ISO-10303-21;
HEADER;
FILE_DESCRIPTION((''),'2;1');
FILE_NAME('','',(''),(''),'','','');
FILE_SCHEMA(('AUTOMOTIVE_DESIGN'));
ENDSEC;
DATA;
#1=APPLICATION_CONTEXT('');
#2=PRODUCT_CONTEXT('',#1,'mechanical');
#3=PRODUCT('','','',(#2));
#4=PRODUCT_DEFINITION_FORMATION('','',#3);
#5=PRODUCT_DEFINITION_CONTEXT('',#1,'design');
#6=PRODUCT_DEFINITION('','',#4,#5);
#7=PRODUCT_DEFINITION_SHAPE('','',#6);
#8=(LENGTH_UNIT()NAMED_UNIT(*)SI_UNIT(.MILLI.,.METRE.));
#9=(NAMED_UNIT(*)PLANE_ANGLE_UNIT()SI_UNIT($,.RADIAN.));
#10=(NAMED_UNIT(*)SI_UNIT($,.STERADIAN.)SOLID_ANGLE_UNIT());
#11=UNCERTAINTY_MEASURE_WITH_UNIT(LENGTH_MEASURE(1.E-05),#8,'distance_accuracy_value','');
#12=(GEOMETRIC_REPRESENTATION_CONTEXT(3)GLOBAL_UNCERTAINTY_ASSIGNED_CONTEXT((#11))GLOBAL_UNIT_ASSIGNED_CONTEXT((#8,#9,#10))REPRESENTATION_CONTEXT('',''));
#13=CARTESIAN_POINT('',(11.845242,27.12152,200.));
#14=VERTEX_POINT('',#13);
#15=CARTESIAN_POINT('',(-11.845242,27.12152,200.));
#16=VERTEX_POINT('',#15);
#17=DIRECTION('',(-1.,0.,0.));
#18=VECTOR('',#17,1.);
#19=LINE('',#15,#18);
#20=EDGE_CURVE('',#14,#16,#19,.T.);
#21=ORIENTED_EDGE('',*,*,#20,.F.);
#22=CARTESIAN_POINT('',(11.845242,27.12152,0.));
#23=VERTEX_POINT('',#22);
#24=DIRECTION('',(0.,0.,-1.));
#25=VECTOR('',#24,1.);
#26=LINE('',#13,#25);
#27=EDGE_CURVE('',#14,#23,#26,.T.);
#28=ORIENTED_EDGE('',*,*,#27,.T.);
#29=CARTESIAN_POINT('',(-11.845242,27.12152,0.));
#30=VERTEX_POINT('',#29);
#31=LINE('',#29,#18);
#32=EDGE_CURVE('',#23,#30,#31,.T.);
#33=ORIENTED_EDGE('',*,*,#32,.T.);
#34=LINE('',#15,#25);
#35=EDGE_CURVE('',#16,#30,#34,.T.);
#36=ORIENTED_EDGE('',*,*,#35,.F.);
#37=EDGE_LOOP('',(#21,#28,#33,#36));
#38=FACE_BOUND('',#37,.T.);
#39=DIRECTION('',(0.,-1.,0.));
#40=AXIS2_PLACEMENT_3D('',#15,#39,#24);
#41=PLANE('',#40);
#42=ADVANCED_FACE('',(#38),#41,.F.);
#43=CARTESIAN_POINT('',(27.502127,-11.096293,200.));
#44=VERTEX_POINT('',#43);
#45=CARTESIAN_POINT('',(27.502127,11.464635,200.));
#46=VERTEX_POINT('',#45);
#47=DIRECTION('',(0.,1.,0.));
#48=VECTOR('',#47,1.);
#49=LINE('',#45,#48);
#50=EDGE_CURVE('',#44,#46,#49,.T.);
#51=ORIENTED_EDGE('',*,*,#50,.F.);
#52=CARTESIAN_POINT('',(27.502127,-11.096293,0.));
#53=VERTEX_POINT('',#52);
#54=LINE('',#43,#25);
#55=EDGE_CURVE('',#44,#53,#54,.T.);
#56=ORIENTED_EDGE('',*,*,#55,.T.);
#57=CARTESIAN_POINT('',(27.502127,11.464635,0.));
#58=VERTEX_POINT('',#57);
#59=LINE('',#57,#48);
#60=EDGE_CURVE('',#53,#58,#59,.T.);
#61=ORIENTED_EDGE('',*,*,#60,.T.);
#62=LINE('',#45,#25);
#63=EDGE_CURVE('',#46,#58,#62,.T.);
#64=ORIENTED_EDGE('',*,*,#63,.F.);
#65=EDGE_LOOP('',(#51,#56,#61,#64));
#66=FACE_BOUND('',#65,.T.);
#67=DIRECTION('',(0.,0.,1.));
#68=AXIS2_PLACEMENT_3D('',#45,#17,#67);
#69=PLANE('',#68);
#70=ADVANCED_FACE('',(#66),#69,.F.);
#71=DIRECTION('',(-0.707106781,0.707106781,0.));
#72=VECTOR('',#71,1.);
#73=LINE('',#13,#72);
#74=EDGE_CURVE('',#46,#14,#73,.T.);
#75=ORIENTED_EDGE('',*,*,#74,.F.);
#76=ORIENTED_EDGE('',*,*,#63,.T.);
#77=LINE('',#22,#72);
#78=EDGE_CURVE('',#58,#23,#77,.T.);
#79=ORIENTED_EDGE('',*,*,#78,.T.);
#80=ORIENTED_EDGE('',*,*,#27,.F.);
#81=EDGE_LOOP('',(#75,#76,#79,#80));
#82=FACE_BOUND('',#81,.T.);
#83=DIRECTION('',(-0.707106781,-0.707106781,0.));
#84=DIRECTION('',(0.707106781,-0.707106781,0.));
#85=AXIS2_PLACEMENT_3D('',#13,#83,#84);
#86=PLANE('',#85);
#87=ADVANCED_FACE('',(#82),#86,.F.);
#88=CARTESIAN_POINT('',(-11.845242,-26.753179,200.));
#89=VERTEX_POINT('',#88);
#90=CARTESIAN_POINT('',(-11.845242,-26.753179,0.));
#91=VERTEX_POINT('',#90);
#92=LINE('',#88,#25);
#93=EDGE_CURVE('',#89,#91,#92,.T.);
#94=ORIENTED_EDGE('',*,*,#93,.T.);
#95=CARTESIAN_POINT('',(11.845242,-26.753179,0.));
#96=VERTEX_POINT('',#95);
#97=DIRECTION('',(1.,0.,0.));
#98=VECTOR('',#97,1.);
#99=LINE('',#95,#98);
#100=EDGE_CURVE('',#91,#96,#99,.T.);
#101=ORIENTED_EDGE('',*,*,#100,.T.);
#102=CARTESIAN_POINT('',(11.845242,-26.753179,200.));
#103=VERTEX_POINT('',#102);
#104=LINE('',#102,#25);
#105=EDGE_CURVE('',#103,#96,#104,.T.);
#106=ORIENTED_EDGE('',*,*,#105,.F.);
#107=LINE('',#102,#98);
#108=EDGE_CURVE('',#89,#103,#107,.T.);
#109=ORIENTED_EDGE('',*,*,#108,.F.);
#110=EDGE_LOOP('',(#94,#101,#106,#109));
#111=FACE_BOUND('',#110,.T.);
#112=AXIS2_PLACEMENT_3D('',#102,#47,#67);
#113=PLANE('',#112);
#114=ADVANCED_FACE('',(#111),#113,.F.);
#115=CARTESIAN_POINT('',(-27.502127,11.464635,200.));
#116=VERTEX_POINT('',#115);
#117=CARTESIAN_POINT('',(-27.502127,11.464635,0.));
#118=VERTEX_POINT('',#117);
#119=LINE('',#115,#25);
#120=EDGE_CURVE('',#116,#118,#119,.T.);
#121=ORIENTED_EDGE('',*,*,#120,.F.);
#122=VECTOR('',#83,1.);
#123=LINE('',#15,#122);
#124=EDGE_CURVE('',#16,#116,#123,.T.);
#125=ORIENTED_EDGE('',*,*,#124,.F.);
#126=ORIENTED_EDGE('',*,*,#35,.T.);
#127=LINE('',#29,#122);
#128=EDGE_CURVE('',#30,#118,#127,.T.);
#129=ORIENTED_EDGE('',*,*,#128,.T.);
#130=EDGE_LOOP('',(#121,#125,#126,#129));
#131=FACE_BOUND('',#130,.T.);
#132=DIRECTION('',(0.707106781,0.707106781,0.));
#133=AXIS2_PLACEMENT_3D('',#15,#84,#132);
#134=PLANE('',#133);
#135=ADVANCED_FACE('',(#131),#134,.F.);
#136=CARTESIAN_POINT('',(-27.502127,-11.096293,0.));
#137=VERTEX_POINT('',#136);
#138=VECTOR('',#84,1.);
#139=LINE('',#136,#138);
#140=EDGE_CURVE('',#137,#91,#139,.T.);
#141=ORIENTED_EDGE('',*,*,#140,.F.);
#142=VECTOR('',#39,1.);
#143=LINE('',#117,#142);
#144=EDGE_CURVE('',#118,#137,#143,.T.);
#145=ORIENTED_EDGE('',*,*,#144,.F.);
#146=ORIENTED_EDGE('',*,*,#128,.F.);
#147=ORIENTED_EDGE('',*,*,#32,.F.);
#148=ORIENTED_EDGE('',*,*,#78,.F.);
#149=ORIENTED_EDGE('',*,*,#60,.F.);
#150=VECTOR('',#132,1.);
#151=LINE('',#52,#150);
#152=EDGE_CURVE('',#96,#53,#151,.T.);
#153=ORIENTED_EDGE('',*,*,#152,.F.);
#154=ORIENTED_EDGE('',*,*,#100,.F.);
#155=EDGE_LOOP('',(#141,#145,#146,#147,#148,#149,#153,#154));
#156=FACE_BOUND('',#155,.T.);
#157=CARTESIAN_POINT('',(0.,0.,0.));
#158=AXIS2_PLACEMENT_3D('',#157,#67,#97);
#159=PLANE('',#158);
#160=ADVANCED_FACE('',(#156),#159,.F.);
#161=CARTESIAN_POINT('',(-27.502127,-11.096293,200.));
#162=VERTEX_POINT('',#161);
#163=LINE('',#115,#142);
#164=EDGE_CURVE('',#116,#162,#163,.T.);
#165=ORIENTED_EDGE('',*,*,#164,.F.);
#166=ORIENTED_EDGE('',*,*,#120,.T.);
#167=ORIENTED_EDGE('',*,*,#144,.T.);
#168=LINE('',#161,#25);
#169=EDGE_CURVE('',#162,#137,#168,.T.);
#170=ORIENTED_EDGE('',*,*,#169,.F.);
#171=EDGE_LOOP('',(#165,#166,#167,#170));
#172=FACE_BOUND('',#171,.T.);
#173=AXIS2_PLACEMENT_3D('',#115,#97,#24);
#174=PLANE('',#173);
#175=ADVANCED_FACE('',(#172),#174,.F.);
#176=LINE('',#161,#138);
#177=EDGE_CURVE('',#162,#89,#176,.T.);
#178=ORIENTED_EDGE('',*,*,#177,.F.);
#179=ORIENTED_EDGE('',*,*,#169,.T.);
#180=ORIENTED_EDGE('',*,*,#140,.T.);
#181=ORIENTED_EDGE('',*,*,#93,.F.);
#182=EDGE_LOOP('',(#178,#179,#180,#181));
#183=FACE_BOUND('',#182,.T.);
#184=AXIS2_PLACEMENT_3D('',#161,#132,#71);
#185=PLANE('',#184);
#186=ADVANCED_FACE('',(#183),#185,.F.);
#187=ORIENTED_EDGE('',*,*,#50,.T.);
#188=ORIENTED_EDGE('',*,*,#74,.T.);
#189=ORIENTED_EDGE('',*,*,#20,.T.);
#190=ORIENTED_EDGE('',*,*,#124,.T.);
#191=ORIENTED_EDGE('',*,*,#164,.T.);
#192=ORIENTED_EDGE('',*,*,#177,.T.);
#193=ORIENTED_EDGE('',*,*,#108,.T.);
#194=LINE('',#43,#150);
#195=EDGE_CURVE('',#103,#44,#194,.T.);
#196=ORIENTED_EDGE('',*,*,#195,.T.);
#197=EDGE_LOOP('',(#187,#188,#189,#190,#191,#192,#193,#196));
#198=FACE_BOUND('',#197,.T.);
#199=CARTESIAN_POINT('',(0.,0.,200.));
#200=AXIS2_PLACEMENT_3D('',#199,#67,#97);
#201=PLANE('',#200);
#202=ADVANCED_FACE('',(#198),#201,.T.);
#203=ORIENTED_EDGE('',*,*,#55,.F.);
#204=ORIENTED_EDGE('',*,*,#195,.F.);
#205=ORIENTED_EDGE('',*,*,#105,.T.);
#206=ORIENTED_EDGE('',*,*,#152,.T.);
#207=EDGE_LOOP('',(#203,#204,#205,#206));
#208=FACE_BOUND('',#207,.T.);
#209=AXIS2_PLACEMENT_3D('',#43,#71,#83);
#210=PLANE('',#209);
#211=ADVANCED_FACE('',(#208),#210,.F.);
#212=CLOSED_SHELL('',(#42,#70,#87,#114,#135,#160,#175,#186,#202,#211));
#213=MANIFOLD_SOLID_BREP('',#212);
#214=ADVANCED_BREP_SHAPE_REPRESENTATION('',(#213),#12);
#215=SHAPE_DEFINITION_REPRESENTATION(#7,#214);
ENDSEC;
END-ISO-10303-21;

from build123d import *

# Parameters (mm, degrees)
EXTRUDE_1_DEPTH = 200


with BuildPart() as part:
    # 스케치1 → 보스-돌출1 (new body)
    with BuildSketch(Plane.XY):
        Polygon((-11.845241588, 27.121519912), (11.845241588, 27.121519912), (27.502126943, 11.464634557), (27.502126943, -11.096293459), (11.845241588, -26.753178814), (-11.845241588, -26.753178814), (-27.502126943, -11.096293459), (-27.502126943, 11.464634557), align=None)
    extrude(amount=EXTRUDE_1_DEPTH)


solid = part.part
